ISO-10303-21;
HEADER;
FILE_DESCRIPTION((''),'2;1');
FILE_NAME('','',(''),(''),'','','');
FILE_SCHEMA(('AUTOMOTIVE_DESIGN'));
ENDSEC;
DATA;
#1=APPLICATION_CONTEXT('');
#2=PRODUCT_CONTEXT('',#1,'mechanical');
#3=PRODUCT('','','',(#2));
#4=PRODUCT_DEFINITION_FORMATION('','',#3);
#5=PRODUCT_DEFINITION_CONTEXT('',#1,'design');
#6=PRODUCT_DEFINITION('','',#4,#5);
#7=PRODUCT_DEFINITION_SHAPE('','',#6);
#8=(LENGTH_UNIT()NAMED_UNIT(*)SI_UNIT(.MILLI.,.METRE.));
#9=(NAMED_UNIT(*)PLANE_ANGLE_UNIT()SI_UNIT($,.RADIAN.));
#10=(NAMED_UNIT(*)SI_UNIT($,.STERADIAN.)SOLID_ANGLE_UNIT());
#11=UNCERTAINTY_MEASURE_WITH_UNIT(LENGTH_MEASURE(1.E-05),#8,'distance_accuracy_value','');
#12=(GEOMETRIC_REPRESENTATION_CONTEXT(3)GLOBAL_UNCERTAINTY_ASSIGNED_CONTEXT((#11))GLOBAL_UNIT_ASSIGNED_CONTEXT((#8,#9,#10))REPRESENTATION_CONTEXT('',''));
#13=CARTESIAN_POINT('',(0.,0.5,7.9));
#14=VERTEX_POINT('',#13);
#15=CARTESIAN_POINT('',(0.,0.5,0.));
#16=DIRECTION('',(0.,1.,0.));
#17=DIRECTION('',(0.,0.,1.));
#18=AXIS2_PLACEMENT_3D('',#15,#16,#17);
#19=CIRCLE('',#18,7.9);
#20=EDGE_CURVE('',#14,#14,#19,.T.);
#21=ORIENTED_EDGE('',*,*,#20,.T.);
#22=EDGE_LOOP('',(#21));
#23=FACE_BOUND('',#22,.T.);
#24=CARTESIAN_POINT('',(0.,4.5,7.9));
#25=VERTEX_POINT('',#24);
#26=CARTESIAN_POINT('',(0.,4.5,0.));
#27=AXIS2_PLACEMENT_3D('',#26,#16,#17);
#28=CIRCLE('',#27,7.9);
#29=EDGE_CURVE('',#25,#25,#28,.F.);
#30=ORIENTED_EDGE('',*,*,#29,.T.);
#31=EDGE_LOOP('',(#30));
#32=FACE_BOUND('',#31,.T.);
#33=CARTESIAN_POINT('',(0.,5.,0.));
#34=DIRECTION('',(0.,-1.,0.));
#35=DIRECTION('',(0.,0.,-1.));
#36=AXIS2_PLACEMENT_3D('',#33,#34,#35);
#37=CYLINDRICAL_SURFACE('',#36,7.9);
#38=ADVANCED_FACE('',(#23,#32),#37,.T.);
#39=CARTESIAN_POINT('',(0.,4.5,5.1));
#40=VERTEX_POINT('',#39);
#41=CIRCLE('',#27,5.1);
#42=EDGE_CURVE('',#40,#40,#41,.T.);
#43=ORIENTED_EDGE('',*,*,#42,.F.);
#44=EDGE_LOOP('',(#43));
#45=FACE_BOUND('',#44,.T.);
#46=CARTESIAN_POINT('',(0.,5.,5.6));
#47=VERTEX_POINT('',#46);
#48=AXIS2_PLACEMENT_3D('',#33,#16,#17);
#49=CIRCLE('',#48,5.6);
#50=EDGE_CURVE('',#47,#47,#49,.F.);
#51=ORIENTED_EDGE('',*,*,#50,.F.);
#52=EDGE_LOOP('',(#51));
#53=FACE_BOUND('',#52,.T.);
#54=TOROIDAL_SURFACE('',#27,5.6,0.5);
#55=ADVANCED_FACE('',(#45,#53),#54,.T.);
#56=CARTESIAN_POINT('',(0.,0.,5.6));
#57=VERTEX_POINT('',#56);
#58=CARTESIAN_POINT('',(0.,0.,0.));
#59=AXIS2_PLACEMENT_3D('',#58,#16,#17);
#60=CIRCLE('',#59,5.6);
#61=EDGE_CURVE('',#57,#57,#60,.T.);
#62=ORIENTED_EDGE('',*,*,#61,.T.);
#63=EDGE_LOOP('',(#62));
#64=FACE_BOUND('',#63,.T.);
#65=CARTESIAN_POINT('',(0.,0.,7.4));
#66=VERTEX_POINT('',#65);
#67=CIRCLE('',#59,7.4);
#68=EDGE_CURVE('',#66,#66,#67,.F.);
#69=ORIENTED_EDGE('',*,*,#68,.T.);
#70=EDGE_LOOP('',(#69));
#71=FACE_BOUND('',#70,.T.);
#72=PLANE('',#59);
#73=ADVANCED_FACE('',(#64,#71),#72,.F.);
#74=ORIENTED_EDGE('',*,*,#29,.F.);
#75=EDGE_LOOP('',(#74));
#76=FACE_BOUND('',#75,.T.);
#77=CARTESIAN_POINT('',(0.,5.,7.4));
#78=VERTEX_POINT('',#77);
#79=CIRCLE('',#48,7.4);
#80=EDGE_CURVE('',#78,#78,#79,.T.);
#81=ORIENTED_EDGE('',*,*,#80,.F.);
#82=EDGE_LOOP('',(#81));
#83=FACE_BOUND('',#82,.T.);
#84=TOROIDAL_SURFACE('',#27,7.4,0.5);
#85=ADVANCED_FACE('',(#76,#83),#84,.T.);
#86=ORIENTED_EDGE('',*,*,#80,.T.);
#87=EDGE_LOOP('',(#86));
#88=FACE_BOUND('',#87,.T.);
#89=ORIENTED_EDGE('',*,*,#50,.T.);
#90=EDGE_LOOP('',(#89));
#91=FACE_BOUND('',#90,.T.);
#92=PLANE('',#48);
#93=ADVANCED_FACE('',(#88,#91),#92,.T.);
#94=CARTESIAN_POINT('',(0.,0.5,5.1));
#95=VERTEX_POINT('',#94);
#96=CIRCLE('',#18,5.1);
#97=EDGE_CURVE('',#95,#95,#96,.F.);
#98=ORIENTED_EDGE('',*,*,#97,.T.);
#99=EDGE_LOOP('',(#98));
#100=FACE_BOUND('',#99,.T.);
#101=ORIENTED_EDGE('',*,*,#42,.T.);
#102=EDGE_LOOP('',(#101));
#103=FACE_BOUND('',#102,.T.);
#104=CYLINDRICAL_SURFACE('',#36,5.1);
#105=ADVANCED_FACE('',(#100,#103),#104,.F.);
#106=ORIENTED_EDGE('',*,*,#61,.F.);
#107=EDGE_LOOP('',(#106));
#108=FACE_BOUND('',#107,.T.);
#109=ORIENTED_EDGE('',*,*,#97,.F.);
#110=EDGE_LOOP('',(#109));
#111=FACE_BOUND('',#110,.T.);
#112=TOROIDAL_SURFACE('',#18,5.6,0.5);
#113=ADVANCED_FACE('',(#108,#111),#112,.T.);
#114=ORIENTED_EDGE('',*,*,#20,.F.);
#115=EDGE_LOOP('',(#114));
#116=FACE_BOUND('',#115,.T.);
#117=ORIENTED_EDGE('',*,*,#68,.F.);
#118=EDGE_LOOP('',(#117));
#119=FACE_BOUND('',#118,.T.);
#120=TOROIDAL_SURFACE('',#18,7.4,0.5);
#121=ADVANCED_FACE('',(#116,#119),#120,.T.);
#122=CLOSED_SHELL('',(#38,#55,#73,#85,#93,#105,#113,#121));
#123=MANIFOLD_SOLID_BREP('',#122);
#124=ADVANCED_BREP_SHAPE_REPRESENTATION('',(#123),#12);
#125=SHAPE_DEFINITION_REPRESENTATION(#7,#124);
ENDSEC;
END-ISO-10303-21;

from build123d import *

# Parameters (mm, degrees)
SKETCH_1_R      = 7.9
SKETCH_1_R_2    = 5.1
EXTRUDE_1_DEPTH = 5
FILLET_1_R      = 0.5


with BuildPart() as part:
    # 草圖1 → 填料-伸長1 (new body)
    with BuildSketch(Plane(origin=(0, 0, 0), x_dir=(1, 0, 0), z_dir=(0, 1, 0))):
        with Locations(Location((0, 0, 0), (0, 0, 270))):
            Circle(SKETCH_1_R)
        with Locations(Location((0, 0, 0), (0, 0, 270))):
            Circle(SKETCH_1_R_2, mode=Mode.SUBTRACT)
    extrude(amount=EXTRUDE_1_DEPTH)

    # 圓角1
    fillet_1_edges = [part.edges().sort_by_distance(p)[0] for p in [
        (0, 0, -7.9),
        (0, 5, -7.9),
        (0, 0, -5.1),
        (0, 5, -5.1),
    ]]
    fillet(fillet_1_edges, radius=FILLET_1_R)


solid = part.part
